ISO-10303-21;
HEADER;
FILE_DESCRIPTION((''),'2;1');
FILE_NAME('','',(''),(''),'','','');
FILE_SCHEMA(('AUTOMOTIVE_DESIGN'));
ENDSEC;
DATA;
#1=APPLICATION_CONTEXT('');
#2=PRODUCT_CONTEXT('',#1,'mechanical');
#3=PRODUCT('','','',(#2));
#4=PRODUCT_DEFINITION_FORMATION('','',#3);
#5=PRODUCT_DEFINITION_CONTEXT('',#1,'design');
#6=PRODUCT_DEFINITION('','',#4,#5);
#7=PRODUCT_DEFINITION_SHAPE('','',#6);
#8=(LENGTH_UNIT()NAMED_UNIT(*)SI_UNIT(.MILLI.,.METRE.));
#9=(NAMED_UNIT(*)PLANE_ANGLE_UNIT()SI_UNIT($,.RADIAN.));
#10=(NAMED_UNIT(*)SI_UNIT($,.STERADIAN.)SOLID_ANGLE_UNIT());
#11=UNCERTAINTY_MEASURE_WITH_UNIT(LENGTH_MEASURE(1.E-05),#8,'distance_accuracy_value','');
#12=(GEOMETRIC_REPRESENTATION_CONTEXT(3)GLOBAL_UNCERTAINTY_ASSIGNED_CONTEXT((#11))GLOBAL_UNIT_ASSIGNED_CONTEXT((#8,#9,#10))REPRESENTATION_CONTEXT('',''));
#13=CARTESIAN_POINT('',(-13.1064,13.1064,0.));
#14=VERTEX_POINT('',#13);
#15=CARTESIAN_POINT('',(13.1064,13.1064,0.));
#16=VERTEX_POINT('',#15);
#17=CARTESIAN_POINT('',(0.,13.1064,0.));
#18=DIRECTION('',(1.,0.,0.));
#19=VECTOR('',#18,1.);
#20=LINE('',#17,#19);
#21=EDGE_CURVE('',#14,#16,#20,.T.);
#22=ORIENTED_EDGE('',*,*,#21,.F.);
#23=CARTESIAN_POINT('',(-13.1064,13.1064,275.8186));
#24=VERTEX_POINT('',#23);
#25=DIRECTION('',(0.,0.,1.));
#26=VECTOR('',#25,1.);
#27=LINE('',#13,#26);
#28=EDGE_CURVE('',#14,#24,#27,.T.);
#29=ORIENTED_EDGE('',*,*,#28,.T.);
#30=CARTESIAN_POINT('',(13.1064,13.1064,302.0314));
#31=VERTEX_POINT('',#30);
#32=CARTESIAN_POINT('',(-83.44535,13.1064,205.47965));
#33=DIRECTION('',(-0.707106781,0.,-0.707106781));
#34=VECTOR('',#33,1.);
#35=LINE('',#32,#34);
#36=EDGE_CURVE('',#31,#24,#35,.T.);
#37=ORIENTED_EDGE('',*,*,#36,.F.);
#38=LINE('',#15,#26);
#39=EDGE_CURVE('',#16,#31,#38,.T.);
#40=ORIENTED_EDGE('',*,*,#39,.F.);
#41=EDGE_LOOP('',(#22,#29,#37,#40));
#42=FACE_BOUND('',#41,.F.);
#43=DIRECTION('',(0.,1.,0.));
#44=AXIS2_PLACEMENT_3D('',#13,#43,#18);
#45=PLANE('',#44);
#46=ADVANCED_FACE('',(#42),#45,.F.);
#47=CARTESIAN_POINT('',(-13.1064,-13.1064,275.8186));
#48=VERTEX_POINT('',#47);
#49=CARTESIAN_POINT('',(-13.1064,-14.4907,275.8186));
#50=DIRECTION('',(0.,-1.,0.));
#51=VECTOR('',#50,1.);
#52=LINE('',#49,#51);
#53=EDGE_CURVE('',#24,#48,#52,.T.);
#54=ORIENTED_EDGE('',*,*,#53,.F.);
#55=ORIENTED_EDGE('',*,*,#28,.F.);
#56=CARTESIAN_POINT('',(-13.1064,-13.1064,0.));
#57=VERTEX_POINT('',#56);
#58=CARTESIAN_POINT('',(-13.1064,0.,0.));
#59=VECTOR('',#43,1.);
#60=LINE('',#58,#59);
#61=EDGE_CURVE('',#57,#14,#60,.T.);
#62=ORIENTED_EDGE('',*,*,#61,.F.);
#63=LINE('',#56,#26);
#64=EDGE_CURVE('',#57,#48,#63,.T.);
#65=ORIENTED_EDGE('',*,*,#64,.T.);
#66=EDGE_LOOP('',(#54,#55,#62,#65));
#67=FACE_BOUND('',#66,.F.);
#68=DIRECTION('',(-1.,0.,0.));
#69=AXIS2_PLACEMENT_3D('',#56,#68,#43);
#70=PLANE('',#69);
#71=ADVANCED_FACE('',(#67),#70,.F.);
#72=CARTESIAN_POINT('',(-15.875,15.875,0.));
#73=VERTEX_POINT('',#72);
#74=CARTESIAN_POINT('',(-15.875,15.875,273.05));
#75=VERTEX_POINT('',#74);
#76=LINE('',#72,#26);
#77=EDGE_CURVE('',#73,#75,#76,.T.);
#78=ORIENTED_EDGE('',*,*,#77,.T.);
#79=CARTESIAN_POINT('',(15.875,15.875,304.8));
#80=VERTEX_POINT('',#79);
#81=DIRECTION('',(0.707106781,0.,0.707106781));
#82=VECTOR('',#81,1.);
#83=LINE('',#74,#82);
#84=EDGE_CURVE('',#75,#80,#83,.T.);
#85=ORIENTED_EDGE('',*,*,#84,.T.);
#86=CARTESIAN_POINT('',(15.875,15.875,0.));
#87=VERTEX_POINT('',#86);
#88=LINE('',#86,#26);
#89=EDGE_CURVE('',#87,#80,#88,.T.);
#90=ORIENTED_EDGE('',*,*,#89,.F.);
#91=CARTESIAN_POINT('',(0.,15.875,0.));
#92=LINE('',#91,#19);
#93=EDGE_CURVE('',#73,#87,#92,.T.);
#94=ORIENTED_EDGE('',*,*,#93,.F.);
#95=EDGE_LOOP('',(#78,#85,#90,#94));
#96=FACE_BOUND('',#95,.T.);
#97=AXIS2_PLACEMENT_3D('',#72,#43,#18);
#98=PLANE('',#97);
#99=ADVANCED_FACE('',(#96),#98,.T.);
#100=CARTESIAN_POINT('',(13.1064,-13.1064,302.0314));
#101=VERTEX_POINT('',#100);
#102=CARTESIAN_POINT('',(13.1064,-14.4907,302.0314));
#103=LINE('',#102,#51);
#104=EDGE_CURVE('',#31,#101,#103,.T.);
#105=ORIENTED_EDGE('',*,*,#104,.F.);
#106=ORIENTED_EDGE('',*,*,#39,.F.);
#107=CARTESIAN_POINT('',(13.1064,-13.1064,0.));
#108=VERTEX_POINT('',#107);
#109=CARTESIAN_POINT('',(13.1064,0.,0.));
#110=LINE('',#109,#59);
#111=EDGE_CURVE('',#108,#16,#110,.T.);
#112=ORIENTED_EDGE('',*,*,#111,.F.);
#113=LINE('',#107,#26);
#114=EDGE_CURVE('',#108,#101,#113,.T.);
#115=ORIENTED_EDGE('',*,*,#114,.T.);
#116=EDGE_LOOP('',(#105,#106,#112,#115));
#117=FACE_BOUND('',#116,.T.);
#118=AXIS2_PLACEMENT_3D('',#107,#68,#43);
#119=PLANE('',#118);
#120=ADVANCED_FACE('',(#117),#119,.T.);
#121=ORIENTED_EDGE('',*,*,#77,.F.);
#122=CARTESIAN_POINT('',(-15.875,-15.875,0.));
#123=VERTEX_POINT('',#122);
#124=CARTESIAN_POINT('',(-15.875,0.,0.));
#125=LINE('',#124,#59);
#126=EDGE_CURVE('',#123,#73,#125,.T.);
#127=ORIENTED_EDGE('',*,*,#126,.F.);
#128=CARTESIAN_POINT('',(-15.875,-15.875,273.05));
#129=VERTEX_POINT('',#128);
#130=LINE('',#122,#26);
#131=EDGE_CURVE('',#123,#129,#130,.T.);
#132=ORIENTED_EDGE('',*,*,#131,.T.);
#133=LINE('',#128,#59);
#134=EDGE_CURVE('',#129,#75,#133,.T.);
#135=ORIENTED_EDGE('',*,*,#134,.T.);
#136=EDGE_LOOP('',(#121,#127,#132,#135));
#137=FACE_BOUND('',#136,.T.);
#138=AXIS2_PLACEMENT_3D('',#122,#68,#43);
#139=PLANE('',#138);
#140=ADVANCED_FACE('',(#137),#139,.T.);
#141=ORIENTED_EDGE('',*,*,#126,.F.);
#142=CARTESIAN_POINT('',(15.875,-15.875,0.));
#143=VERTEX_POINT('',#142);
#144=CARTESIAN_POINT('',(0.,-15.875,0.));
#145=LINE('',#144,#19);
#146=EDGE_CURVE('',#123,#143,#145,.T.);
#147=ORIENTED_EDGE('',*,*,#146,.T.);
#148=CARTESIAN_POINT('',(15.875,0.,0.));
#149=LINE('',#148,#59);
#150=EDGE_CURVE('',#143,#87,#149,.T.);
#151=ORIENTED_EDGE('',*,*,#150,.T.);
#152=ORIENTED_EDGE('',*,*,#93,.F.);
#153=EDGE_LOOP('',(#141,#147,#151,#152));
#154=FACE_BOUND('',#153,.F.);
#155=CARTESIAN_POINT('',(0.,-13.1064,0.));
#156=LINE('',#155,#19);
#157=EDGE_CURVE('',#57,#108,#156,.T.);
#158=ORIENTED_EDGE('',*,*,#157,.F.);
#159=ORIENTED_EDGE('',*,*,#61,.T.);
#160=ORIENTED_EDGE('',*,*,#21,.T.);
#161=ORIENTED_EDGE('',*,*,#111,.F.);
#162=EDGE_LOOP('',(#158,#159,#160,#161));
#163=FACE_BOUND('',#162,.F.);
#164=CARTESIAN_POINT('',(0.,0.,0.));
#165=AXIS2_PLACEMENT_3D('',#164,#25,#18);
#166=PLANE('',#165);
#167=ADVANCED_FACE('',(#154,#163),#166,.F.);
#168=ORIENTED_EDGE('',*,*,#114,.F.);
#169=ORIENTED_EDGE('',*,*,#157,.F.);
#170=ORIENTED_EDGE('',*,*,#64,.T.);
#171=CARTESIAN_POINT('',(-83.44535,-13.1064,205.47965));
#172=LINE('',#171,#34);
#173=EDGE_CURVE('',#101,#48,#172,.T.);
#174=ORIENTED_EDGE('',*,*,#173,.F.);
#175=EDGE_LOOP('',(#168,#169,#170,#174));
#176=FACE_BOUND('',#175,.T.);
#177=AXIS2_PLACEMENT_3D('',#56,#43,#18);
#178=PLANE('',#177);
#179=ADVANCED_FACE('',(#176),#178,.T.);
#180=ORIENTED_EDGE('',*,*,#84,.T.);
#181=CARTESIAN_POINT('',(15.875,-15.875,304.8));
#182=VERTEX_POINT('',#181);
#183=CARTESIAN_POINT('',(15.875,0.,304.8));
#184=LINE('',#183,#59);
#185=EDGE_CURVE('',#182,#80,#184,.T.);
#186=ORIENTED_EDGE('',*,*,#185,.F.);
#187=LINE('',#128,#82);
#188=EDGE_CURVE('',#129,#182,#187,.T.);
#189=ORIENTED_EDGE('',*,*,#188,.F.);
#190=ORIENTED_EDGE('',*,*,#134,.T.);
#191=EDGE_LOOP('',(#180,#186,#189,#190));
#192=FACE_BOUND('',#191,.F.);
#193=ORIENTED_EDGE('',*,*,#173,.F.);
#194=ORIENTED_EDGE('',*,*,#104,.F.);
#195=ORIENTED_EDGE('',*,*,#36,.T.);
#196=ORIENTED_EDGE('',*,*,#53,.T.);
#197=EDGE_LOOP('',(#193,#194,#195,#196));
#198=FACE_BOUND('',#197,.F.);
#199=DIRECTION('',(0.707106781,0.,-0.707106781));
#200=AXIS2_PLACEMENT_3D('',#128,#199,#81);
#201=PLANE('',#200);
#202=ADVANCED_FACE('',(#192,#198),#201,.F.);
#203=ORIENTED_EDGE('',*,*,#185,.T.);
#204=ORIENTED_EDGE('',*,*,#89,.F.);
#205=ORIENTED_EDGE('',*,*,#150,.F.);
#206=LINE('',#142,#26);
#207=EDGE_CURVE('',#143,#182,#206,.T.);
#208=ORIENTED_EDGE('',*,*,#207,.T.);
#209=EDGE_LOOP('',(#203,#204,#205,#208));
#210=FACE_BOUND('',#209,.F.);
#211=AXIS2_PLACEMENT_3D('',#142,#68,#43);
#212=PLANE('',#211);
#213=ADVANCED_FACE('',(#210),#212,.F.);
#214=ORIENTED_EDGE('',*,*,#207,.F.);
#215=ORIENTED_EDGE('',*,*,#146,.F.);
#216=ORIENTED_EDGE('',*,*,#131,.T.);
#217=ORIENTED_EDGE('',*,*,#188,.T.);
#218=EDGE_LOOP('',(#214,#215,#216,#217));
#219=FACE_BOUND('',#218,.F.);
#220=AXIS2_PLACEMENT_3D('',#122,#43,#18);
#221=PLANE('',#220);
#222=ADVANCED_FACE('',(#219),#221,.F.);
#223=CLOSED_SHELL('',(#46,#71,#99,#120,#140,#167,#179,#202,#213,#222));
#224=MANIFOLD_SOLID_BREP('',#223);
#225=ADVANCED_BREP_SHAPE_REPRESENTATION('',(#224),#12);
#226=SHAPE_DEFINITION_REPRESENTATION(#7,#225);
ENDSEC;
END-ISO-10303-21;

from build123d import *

# Parameters (mm, degrees)
SKETCH_W     = 31.75
SKETCH_H     = 31.75
SKETCH_W_2   = 26.2128
SKETCH_H_2   = 26.2128
PAD_DEPTH    = 304.8
POCKET_DEPTH = 31.75


with BuildPart() as part:
    # Sketch → Pad (new body)
    with BuildSketch(Plane.XY):
        Rectangle(SKETCH_W, SKETCH_H)
        Rectangle(SKETCH_W_2, SKETCH_H_2, mode=Mode.SUBTRACT)
    extrude(amount=PAD_DEPTH)

    # Sketch001 → Pocket (cut)
    with BuildSketch(Plane.XZ.offset(15.875)):
        Polygon((15.875, 304.8), (-15.875, 304.8), (-15.875, 273.05), align=None)
    extrude(amount=-POCKET_DEPTH, mode=Mode.SUBTRACT)


solid = part.part
